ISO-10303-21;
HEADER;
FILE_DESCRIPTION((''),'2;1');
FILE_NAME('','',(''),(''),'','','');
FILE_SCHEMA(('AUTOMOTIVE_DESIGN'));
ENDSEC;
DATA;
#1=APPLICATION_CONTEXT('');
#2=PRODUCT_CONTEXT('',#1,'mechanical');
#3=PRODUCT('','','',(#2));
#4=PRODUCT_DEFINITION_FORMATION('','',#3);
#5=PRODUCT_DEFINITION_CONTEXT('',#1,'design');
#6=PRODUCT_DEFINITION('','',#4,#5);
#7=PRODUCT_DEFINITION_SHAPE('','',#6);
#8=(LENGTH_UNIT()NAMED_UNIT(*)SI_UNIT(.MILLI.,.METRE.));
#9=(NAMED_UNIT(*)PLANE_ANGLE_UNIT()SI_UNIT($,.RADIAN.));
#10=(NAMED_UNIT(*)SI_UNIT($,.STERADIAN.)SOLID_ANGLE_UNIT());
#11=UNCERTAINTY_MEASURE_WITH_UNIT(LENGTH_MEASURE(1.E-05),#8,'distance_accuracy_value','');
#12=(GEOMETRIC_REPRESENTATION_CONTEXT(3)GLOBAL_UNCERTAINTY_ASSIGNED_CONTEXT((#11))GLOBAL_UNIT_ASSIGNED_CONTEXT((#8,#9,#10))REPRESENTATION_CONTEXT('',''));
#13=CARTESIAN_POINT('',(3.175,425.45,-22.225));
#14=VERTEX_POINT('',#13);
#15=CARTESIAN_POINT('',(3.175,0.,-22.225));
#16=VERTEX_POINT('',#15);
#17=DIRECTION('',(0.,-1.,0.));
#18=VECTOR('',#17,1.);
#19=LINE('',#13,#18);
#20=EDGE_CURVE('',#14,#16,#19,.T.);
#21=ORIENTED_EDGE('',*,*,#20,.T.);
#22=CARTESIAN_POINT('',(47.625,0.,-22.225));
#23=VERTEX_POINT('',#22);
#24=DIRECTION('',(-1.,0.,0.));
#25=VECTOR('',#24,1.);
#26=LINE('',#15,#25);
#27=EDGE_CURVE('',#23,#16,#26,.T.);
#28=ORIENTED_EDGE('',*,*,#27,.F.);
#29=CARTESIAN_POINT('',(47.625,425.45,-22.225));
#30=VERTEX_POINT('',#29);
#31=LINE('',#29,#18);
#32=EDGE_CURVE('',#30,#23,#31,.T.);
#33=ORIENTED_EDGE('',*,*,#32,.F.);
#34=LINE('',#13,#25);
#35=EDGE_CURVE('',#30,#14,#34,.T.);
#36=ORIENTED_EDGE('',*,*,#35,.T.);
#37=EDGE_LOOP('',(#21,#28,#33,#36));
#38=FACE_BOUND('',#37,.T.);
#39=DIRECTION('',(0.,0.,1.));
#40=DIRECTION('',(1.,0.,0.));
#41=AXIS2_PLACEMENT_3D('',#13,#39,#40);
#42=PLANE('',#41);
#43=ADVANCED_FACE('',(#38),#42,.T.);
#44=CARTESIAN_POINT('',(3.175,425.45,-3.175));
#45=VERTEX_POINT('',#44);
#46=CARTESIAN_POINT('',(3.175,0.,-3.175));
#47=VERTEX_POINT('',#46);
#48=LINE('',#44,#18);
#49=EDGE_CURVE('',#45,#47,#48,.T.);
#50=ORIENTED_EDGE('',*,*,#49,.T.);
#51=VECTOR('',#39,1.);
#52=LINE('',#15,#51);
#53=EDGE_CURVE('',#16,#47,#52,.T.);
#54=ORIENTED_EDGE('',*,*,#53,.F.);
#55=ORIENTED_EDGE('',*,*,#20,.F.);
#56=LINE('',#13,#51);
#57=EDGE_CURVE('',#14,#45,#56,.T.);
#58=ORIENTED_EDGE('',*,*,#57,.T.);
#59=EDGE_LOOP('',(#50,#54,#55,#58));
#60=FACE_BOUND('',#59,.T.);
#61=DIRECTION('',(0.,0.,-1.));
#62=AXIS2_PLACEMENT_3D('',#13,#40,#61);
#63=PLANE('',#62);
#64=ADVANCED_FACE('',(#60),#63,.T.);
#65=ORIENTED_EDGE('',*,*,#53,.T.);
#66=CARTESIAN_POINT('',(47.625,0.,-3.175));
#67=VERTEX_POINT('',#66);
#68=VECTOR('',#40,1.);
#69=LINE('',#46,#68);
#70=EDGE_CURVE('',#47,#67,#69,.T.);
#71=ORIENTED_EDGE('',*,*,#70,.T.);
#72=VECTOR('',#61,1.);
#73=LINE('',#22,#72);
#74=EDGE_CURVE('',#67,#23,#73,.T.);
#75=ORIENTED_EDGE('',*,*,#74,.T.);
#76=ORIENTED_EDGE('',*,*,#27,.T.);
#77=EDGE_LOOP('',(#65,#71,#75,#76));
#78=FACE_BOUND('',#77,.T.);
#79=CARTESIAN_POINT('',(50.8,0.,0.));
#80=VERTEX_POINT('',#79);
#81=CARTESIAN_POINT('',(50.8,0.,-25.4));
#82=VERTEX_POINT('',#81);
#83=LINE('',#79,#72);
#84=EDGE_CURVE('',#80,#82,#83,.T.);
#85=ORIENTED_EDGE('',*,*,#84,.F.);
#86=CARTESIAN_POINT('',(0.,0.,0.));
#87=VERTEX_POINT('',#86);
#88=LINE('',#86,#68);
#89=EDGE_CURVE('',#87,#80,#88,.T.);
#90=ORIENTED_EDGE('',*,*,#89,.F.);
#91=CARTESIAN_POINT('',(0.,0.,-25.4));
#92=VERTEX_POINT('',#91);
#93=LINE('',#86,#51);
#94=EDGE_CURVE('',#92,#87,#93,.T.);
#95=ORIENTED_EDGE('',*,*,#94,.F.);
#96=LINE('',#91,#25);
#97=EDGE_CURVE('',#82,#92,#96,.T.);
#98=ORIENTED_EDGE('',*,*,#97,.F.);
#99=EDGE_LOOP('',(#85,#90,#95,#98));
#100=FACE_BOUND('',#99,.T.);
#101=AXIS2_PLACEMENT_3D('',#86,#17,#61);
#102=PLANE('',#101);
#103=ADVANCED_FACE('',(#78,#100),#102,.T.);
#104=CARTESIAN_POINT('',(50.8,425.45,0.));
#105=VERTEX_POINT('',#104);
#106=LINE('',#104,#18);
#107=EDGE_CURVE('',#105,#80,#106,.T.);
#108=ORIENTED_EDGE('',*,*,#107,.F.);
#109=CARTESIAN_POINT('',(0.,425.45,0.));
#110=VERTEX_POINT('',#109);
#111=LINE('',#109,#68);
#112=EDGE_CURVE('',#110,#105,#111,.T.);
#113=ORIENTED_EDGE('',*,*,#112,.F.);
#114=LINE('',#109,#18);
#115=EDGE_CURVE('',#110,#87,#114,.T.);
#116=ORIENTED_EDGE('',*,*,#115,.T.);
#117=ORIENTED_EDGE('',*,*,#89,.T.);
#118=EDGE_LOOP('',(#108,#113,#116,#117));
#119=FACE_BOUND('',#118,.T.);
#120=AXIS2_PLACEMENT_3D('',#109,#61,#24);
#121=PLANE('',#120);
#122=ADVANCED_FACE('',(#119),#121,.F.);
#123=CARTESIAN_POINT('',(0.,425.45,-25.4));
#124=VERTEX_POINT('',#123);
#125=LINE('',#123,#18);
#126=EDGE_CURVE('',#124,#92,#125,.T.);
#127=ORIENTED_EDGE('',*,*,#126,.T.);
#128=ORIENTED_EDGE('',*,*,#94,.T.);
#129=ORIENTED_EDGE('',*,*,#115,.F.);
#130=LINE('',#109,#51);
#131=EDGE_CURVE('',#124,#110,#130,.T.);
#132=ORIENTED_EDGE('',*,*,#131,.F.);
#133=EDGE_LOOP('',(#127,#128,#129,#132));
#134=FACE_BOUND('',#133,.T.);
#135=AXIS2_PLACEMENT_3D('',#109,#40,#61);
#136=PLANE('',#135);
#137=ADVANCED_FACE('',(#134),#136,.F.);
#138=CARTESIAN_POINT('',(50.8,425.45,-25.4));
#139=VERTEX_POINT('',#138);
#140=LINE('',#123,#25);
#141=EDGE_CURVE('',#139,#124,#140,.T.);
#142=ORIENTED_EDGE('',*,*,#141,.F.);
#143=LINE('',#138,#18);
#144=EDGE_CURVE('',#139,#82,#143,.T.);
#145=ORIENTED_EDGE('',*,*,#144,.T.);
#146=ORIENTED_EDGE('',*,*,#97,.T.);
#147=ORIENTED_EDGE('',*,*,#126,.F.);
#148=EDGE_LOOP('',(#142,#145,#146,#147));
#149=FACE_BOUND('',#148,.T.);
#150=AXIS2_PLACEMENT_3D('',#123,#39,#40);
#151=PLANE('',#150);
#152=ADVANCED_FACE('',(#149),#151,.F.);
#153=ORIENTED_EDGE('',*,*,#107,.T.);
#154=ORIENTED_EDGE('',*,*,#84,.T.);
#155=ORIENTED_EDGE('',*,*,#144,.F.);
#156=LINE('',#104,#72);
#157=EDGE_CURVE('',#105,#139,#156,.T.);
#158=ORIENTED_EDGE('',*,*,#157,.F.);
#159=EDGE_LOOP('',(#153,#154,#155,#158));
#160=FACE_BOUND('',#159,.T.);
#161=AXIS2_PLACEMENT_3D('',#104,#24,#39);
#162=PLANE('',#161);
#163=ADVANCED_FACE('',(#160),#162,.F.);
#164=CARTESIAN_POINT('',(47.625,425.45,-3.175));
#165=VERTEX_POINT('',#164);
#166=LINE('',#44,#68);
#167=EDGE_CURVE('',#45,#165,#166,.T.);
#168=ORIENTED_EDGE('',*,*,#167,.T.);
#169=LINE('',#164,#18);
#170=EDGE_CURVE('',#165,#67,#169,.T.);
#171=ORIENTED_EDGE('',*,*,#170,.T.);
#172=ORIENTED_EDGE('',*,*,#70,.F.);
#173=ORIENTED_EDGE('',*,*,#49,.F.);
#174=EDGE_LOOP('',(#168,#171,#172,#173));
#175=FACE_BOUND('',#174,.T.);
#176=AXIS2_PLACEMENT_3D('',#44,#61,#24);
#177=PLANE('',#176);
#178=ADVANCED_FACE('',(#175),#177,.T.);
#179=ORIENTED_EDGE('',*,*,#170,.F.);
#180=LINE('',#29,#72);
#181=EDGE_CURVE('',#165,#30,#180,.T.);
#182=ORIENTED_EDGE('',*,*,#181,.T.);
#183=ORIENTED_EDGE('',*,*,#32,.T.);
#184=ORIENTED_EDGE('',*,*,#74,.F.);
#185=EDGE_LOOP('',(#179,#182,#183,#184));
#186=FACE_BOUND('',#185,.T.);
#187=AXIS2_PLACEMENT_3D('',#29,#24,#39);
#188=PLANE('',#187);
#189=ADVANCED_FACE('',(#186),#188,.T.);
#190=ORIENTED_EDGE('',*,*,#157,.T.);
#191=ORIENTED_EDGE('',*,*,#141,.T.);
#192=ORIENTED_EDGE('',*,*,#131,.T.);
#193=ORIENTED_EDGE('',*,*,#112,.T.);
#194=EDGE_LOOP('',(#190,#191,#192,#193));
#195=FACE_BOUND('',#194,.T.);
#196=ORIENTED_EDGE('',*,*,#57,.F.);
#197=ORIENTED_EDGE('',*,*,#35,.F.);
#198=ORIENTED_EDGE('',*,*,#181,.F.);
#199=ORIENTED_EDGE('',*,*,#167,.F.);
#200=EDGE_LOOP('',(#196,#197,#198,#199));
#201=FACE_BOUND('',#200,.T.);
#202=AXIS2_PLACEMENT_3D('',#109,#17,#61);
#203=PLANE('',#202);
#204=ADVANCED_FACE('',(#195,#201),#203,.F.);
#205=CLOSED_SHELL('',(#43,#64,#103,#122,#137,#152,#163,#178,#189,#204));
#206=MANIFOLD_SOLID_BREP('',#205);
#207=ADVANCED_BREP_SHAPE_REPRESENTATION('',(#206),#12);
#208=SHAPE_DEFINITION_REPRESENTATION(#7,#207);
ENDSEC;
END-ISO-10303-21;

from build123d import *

# Parameters (mm, degrees)
SKETCH1_W           = 50.8
SKETCH1_H           = 25.4
SKETCH1_W_2         = 44.45
SKETCH1_H_2         = 19.05
BOSS_EXTRUDE1_DEPTH = 425.45


with BuildPart() as part:
    # Sketch1 → Boss-Extrude1 (new body)
    with BuildSketch(Plane(origin=(0, 0, 0), x_dir=(1, 0, 0), z_dir=(0, 1, 0))):
        with Locations((25.4, 12.7)):
            Rectangle(SKETCH1_W, SKETCH1_H)
        with Locations((25.4, 12.7)):
            Rectangle(SKETCH1_W_2, SKETCH1_H_2, mode=Mode.SUBTRACT)
    extrude(amount=BOSS_EXTRUDE1_DEPTH)


solid = part.part
